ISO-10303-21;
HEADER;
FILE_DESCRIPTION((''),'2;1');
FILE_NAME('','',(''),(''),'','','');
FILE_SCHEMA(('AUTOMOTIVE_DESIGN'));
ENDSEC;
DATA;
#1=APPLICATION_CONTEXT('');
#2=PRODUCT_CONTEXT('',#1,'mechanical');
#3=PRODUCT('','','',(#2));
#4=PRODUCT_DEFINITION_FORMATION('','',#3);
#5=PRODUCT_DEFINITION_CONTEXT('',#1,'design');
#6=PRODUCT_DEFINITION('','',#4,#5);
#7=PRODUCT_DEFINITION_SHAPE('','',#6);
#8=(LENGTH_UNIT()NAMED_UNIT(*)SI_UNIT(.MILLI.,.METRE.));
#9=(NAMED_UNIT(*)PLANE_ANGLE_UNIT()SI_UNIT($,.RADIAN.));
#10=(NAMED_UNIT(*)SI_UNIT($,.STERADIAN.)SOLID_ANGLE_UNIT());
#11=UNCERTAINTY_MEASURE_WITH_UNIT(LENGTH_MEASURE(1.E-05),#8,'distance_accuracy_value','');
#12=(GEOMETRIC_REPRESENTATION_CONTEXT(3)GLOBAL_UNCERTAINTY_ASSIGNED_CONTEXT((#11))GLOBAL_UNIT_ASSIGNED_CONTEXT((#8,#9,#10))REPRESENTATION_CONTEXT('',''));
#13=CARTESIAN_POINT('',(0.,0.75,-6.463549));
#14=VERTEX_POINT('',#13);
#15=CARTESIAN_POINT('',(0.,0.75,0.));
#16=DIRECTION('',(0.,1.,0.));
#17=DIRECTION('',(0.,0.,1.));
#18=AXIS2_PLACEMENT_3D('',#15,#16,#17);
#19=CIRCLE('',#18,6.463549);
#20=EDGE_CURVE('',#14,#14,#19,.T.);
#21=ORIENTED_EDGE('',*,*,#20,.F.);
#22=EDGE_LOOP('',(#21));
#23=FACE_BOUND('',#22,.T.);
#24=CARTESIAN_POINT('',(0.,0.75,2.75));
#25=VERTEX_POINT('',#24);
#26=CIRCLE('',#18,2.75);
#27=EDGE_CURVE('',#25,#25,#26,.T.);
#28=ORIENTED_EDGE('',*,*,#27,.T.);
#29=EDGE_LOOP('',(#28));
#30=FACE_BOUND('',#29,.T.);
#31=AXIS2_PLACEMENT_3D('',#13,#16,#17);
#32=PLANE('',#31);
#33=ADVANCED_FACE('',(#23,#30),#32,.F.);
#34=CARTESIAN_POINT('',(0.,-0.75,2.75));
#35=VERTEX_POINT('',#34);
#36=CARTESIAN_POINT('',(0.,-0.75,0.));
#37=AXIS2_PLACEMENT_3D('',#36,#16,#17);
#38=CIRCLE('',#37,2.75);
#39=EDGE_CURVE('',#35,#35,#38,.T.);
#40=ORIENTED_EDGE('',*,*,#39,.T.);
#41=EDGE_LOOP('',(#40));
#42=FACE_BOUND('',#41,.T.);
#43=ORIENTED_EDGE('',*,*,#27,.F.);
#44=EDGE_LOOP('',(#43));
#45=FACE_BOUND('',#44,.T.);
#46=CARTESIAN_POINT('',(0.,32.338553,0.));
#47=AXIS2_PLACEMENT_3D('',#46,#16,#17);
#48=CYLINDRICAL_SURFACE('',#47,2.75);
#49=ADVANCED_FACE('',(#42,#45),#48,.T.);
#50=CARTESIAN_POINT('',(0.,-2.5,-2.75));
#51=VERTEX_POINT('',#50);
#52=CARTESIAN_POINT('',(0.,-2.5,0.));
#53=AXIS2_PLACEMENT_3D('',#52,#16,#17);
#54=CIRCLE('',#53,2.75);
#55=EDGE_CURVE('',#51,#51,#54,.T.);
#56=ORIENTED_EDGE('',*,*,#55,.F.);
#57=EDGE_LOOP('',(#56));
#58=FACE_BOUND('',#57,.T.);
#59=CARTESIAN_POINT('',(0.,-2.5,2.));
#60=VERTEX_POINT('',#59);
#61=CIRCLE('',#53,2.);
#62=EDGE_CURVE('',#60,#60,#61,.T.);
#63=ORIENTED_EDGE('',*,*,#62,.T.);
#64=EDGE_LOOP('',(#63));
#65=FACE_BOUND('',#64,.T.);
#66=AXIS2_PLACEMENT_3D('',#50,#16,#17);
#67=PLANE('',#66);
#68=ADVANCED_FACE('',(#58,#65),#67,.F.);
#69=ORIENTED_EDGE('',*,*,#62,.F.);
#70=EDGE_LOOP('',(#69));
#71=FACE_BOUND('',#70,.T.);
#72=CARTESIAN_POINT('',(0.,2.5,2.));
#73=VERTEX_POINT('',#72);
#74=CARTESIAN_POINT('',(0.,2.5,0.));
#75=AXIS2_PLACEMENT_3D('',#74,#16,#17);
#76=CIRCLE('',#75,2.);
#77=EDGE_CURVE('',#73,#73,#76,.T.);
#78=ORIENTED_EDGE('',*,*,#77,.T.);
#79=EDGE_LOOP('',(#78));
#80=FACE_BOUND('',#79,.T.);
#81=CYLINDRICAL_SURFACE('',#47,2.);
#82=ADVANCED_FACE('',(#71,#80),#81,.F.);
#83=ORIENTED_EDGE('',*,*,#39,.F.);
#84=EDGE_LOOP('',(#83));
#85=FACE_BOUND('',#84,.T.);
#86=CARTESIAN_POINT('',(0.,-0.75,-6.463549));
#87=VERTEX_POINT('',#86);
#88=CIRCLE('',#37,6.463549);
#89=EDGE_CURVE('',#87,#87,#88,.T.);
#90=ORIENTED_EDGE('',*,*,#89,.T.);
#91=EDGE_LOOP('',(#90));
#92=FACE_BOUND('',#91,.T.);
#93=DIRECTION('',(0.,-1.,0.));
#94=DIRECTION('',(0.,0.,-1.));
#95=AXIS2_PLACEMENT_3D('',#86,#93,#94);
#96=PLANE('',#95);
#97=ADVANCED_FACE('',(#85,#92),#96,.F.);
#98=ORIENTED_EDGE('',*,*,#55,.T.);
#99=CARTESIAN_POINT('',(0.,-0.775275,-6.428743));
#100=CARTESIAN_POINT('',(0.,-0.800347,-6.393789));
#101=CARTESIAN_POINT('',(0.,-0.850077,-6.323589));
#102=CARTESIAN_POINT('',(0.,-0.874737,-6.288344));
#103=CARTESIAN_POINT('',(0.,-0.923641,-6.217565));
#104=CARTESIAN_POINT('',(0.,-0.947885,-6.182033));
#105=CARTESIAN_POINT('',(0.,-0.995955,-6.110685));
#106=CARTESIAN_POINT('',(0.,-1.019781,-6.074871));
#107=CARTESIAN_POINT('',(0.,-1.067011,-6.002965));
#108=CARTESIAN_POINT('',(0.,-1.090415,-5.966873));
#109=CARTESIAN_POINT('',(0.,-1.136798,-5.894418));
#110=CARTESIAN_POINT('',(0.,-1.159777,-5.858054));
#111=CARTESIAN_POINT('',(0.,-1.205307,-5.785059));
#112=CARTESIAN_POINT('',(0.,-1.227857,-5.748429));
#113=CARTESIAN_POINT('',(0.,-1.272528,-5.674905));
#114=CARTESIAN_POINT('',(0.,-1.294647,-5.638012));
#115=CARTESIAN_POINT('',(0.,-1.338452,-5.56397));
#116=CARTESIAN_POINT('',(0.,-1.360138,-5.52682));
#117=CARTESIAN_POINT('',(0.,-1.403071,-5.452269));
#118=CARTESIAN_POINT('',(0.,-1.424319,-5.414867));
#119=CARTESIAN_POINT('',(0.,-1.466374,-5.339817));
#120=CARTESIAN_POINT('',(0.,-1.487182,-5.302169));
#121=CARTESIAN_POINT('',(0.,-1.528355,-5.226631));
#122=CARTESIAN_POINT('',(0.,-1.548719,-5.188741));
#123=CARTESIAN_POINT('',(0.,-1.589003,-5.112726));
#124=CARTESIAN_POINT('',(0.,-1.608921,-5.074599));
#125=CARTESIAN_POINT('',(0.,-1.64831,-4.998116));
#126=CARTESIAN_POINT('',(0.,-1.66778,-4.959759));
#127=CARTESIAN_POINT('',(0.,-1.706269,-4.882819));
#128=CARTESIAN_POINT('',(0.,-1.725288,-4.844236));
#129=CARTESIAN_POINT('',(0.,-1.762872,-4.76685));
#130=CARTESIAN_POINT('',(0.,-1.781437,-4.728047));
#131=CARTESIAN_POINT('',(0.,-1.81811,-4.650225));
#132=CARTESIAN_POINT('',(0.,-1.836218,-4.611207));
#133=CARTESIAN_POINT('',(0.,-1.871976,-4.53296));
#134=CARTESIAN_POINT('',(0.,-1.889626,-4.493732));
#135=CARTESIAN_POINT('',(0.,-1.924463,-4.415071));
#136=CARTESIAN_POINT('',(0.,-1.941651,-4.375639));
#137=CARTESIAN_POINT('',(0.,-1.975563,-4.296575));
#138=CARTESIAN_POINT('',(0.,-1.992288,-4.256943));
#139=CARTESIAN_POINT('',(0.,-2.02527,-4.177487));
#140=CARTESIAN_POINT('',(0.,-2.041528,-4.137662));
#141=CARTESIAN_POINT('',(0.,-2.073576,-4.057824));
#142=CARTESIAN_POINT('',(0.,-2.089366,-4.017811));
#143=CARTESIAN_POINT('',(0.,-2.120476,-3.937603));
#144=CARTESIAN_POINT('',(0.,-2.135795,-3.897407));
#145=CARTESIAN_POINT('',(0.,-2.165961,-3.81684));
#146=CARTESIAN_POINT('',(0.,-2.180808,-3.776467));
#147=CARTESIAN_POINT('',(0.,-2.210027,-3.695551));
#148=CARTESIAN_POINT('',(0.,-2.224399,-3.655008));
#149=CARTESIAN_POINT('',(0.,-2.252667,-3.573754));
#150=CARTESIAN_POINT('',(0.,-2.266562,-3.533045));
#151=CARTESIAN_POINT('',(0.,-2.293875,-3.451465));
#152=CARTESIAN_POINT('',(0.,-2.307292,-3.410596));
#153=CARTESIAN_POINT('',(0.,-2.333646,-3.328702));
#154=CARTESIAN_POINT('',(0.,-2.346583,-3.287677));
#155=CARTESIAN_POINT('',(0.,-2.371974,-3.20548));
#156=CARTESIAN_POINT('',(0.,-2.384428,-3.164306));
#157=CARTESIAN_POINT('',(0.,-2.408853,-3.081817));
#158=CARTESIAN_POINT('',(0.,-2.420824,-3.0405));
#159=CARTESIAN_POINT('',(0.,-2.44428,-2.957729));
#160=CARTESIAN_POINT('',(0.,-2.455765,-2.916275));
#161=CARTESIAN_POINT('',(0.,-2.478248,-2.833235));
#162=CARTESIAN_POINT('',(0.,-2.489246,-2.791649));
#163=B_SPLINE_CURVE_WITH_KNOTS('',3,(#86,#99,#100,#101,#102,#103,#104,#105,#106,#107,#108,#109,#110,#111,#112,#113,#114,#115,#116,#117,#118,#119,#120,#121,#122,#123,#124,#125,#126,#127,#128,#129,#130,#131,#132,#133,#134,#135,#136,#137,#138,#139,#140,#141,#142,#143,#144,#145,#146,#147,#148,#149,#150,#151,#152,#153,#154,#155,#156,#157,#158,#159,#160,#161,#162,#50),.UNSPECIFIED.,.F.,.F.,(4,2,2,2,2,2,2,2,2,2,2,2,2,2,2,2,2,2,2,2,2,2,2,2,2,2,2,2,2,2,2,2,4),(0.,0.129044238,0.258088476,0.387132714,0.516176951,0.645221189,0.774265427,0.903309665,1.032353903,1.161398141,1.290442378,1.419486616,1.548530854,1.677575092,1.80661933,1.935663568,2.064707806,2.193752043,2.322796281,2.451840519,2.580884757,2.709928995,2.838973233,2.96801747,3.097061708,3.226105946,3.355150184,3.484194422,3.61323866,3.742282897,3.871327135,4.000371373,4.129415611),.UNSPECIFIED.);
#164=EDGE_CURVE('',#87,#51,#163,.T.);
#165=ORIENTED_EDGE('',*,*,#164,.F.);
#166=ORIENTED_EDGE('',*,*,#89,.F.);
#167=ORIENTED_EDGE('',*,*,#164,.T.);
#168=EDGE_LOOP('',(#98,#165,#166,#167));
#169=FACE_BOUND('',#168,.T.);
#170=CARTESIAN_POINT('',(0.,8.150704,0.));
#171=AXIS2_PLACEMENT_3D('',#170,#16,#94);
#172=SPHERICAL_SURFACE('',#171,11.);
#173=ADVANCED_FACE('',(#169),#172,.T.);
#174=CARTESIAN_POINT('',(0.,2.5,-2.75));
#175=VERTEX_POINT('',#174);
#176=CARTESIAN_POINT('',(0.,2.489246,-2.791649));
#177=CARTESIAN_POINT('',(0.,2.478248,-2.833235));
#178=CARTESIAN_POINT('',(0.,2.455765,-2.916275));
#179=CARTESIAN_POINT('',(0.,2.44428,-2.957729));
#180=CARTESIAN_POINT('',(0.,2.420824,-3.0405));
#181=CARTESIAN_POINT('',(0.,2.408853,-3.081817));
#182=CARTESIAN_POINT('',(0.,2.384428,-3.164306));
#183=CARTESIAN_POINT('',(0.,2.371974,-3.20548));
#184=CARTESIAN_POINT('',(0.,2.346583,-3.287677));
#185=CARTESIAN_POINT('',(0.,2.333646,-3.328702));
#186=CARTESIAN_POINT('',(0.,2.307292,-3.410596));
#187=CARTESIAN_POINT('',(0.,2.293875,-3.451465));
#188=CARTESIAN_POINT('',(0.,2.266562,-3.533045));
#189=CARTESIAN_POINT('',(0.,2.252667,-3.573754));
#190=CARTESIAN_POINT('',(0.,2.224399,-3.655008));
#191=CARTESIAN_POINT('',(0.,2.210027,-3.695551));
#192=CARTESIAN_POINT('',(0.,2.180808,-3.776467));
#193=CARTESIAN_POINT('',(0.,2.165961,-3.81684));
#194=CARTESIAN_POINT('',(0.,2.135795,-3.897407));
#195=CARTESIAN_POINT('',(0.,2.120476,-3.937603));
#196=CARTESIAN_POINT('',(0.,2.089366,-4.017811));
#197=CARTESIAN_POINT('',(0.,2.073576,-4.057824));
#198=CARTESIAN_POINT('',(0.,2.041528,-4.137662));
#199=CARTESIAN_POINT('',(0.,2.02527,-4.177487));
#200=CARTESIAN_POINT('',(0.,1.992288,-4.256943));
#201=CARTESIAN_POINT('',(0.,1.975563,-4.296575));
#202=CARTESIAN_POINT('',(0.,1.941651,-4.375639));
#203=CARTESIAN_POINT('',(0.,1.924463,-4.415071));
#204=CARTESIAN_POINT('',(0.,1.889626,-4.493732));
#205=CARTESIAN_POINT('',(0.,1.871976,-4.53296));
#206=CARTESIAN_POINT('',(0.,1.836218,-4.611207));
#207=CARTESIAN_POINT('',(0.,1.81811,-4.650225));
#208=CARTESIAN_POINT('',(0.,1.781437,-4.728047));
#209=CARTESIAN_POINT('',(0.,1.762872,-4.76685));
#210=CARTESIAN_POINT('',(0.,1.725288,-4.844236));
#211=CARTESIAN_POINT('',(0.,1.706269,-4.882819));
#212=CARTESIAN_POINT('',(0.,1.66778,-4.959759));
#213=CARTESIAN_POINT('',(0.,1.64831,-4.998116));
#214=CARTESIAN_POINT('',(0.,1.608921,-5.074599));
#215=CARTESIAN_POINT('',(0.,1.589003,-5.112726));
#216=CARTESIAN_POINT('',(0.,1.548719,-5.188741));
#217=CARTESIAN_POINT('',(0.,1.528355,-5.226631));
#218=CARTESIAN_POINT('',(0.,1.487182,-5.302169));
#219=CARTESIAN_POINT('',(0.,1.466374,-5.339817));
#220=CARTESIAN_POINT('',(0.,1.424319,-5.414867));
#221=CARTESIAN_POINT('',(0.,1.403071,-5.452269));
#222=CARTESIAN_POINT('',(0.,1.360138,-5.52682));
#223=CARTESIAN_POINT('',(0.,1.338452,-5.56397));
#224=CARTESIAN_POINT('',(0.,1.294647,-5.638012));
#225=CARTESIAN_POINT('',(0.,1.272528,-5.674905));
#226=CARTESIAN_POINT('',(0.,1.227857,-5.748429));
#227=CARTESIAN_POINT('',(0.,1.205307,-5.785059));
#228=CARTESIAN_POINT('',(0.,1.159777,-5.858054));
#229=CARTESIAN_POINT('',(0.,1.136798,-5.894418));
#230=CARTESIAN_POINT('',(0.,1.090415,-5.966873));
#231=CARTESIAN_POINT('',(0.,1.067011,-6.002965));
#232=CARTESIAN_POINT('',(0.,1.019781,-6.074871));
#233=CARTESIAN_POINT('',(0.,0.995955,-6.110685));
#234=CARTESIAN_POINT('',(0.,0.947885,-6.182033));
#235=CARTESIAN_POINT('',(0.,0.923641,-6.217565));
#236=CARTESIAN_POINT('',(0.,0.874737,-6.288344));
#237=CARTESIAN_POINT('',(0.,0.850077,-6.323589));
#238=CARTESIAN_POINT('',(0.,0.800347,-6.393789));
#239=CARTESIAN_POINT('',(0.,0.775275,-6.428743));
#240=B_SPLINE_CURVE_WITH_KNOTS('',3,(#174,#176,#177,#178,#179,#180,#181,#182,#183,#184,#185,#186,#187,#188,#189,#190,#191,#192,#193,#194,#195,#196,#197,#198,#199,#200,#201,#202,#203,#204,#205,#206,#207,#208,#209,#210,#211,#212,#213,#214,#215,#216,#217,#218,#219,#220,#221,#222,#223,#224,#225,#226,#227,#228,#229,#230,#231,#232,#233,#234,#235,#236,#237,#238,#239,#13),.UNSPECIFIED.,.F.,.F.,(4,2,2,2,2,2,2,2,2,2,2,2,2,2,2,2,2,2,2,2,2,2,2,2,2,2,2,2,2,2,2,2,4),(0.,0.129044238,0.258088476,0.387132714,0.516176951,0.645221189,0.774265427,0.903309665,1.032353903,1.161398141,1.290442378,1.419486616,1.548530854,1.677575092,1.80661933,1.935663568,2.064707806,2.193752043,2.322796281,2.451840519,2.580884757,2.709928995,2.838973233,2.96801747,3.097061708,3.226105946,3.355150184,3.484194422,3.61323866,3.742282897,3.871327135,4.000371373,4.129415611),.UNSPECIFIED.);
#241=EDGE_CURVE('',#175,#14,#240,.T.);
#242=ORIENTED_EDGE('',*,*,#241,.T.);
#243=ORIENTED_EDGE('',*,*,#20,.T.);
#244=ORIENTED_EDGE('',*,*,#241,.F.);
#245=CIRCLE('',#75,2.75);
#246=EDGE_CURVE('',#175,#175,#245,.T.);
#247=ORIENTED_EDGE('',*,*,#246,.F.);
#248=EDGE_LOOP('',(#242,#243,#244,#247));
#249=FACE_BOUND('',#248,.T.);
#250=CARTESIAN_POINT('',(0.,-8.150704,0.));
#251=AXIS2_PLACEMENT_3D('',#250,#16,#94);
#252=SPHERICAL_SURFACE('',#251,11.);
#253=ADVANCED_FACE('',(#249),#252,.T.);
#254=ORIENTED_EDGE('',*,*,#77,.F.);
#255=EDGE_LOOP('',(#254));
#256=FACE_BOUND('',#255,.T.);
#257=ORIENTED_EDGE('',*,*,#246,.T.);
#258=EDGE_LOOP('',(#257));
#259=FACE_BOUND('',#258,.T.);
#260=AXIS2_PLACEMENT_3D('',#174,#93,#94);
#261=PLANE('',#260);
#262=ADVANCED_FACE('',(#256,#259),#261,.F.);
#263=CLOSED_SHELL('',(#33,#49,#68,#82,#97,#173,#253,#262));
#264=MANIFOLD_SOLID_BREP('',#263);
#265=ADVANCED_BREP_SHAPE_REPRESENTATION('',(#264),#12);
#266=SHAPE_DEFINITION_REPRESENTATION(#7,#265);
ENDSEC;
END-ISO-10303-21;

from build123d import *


with BuildPart() as part:
    # 草图2 → 旋转1 (revolve)
    with BuildSketch(Plane(origin=(0, 0, 0), x_dir=(0, 0, -1), z_dir=(1, 0, 0))):
        with BuildLine():
            Line((6.463548925, 0.75), (2.75, 0.75))
            Line((2.75, 0.75), (2.75, -0.75))
            Line((2.75, -0.75), (6.463548925, -0.75))
            ThreePointArc((6.463548925, -0.75), (4.689135949, -1.799773377), (2.75, -2.5))
            Line((2.75, -2.5), (2, -2.5))
            Line((2, -2.5), (2, 2.5))
            Line((2, 2.5), (2.75, 2.5))
            ThreePointArc((2.75, 2.5), (4.689135949, 1.799773377), (6.463548925, 0.75))
        make_face()
    revolve(axis=Axis((0, 32.338552752, 0), (0, -1, 0)))


solid = part.part
